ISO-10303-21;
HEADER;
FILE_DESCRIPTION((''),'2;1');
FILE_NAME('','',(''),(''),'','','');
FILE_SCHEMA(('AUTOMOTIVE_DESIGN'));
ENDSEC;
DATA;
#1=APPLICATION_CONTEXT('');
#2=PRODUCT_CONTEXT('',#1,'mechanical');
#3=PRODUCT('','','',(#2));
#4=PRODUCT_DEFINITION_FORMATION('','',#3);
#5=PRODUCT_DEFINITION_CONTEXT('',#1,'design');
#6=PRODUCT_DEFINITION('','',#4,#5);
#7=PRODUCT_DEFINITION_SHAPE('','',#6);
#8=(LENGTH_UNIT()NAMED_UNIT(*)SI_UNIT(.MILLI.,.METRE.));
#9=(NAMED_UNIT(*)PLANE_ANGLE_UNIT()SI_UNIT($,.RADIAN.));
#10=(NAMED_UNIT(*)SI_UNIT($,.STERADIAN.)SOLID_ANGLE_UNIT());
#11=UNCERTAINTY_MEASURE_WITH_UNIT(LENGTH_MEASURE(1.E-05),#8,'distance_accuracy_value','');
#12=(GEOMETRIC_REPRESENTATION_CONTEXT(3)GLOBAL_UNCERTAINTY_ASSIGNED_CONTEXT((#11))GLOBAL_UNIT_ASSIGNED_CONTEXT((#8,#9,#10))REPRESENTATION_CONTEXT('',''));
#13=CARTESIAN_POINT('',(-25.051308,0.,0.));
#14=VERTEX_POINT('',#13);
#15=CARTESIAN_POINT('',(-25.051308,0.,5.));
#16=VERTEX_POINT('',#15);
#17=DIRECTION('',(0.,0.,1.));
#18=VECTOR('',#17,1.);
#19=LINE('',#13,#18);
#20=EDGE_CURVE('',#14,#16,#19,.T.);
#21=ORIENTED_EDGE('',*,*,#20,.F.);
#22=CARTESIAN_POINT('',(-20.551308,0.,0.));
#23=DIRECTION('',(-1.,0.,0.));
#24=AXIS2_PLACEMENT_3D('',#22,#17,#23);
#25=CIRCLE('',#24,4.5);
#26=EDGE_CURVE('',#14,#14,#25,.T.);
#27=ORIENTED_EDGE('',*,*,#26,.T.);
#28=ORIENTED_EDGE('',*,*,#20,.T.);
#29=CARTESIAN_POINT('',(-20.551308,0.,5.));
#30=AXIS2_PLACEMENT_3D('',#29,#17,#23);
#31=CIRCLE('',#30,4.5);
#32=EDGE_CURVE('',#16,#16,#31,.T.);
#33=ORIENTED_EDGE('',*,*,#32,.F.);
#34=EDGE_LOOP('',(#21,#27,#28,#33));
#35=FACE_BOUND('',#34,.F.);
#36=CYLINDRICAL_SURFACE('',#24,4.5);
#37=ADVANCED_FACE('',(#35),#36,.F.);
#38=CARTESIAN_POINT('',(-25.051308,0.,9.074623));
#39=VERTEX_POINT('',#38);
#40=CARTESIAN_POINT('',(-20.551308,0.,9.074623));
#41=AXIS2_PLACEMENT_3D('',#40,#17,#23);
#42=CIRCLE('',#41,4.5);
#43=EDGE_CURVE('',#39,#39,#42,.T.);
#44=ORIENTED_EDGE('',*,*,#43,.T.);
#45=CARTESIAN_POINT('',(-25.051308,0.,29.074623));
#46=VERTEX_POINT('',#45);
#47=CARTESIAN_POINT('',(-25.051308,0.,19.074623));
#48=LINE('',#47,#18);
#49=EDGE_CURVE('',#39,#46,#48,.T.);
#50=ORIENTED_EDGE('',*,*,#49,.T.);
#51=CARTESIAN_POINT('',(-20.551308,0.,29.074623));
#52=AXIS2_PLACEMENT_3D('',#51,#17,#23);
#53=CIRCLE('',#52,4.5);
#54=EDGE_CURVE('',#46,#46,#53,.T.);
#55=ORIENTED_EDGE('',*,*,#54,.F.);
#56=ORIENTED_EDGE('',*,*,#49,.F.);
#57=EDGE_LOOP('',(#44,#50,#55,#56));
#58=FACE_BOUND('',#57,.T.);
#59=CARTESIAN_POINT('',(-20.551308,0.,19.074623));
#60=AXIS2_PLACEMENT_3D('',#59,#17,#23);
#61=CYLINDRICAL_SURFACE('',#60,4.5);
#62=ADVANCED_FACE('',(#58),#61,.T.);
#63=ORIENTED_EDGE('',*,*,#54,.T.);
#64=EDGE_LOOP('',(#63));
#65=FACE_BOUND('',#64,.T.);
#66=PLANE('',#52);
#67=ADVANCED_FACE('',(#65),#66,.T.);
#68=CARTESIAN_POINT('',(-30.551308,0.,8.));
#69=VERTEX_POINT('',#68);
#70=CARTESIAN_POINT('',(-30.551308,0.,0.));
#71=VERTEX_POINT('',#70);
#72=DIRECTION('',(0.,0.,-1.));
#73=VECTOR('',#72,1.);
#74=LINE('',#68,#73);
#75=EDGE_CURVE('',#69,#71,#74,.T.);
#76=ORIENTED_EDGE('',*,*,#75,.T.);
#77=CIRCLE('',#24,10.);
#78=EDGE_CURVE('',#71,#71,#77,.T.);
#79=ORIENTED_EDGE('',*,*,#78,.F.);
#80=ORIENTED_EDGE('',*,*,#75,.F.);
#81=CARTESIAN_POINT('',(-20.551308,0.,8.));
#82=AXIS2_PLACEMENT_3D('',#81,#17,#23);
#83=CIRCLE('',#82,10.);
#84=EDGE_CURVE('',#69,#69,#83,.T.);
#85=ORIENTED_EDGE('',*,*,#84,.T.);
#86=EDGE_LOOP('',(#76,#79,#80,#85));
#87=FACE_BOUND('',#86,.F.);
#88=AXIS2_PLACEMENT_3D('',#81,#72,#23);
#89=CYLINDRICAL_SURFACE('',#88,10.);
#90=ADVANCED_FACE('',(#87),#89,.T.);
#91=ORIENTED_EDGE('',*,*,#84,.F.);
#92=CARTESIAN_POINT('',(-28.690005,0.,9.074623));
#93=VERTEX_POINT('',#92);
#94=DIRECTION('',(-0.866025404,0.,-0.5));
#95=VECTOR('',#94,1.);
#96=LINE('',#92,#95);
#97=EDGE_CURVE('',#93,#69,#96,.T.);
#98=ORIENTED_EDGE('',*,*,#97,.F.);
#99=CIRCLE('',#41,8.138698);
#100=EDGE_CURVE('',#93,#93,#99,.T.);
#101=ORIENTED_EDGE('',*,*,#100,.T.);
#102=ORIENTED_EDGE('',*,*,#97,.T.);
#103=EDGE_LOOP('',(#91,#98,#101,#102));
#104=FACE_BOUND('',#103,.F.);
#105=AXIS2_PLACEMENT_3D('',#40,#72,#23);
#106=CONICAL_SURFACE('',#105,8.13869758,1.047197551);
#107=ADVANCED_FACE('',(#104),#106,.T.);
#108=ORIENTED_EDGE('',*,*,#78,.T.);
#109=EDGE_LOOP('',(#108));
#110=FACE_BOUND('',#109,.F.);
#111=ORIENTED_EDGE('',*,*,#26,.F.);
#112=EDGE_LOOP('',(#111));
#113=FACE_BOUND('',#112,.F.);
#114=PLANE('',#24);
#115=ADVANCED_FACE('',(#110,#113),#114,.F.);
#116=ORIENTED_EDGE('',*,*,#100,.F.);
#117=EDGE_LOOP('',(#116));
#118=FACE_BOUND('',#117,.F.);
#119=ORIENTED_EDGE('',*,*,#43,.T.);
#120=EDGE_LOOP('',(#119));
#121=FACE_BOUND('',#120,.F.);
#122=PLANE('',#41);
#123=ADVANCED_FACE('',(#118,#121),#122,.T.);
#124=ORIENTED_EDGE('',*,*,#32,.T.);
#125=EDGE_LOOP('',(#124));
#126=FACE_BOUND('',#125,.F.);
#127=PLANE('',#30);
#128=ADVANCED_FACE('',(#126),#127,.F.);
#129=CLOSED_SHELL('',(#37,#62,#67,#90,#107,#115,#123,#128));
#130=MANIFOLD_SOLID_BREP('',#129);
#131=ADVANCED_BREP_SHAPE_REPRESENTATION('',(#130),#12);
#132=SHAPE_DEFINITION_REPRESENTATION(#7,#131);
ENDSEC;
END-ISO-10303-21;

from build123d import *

# Parameters (mm, degrees)
F0_W   = 4.5
F0_H   = 20
F0_H_2 = 3
F0_H_3 = 1.0746234533


with BuildPart() as f1:
    # F0 (on Front) → F1 (revolve)
    with BuildSketch(Plane.XZ):
        with Locations((-22.8013077103, 19.0746234533)):
            Rectangle(F0_W, F0_H)
        Polygon((-25.0513077103, 8), (-30.5513077103, 8), (-30.5513077103, 0), (-25.0513077103, 0), (-25.0513077103, 5), align=None)
        Polygon((-28.6900052902, 9.0746234533), (-30.5513077103, 8), (-25.0513077103, 8), (-25.0513077103, 9.0746234533), align=None)
        with Locations((-22.8013077103, 6.5)):
            Rectangle(F0_W, F0_H_2)
        with Locations((-22.8013077103, 8.5373117267)):
            Rectangle(F0_W, F0_H_3)
    revolve(axis=Axis((-20.5513077103, 0, 19.0746234533), (0, 0, 1)))


solid = f1.part
